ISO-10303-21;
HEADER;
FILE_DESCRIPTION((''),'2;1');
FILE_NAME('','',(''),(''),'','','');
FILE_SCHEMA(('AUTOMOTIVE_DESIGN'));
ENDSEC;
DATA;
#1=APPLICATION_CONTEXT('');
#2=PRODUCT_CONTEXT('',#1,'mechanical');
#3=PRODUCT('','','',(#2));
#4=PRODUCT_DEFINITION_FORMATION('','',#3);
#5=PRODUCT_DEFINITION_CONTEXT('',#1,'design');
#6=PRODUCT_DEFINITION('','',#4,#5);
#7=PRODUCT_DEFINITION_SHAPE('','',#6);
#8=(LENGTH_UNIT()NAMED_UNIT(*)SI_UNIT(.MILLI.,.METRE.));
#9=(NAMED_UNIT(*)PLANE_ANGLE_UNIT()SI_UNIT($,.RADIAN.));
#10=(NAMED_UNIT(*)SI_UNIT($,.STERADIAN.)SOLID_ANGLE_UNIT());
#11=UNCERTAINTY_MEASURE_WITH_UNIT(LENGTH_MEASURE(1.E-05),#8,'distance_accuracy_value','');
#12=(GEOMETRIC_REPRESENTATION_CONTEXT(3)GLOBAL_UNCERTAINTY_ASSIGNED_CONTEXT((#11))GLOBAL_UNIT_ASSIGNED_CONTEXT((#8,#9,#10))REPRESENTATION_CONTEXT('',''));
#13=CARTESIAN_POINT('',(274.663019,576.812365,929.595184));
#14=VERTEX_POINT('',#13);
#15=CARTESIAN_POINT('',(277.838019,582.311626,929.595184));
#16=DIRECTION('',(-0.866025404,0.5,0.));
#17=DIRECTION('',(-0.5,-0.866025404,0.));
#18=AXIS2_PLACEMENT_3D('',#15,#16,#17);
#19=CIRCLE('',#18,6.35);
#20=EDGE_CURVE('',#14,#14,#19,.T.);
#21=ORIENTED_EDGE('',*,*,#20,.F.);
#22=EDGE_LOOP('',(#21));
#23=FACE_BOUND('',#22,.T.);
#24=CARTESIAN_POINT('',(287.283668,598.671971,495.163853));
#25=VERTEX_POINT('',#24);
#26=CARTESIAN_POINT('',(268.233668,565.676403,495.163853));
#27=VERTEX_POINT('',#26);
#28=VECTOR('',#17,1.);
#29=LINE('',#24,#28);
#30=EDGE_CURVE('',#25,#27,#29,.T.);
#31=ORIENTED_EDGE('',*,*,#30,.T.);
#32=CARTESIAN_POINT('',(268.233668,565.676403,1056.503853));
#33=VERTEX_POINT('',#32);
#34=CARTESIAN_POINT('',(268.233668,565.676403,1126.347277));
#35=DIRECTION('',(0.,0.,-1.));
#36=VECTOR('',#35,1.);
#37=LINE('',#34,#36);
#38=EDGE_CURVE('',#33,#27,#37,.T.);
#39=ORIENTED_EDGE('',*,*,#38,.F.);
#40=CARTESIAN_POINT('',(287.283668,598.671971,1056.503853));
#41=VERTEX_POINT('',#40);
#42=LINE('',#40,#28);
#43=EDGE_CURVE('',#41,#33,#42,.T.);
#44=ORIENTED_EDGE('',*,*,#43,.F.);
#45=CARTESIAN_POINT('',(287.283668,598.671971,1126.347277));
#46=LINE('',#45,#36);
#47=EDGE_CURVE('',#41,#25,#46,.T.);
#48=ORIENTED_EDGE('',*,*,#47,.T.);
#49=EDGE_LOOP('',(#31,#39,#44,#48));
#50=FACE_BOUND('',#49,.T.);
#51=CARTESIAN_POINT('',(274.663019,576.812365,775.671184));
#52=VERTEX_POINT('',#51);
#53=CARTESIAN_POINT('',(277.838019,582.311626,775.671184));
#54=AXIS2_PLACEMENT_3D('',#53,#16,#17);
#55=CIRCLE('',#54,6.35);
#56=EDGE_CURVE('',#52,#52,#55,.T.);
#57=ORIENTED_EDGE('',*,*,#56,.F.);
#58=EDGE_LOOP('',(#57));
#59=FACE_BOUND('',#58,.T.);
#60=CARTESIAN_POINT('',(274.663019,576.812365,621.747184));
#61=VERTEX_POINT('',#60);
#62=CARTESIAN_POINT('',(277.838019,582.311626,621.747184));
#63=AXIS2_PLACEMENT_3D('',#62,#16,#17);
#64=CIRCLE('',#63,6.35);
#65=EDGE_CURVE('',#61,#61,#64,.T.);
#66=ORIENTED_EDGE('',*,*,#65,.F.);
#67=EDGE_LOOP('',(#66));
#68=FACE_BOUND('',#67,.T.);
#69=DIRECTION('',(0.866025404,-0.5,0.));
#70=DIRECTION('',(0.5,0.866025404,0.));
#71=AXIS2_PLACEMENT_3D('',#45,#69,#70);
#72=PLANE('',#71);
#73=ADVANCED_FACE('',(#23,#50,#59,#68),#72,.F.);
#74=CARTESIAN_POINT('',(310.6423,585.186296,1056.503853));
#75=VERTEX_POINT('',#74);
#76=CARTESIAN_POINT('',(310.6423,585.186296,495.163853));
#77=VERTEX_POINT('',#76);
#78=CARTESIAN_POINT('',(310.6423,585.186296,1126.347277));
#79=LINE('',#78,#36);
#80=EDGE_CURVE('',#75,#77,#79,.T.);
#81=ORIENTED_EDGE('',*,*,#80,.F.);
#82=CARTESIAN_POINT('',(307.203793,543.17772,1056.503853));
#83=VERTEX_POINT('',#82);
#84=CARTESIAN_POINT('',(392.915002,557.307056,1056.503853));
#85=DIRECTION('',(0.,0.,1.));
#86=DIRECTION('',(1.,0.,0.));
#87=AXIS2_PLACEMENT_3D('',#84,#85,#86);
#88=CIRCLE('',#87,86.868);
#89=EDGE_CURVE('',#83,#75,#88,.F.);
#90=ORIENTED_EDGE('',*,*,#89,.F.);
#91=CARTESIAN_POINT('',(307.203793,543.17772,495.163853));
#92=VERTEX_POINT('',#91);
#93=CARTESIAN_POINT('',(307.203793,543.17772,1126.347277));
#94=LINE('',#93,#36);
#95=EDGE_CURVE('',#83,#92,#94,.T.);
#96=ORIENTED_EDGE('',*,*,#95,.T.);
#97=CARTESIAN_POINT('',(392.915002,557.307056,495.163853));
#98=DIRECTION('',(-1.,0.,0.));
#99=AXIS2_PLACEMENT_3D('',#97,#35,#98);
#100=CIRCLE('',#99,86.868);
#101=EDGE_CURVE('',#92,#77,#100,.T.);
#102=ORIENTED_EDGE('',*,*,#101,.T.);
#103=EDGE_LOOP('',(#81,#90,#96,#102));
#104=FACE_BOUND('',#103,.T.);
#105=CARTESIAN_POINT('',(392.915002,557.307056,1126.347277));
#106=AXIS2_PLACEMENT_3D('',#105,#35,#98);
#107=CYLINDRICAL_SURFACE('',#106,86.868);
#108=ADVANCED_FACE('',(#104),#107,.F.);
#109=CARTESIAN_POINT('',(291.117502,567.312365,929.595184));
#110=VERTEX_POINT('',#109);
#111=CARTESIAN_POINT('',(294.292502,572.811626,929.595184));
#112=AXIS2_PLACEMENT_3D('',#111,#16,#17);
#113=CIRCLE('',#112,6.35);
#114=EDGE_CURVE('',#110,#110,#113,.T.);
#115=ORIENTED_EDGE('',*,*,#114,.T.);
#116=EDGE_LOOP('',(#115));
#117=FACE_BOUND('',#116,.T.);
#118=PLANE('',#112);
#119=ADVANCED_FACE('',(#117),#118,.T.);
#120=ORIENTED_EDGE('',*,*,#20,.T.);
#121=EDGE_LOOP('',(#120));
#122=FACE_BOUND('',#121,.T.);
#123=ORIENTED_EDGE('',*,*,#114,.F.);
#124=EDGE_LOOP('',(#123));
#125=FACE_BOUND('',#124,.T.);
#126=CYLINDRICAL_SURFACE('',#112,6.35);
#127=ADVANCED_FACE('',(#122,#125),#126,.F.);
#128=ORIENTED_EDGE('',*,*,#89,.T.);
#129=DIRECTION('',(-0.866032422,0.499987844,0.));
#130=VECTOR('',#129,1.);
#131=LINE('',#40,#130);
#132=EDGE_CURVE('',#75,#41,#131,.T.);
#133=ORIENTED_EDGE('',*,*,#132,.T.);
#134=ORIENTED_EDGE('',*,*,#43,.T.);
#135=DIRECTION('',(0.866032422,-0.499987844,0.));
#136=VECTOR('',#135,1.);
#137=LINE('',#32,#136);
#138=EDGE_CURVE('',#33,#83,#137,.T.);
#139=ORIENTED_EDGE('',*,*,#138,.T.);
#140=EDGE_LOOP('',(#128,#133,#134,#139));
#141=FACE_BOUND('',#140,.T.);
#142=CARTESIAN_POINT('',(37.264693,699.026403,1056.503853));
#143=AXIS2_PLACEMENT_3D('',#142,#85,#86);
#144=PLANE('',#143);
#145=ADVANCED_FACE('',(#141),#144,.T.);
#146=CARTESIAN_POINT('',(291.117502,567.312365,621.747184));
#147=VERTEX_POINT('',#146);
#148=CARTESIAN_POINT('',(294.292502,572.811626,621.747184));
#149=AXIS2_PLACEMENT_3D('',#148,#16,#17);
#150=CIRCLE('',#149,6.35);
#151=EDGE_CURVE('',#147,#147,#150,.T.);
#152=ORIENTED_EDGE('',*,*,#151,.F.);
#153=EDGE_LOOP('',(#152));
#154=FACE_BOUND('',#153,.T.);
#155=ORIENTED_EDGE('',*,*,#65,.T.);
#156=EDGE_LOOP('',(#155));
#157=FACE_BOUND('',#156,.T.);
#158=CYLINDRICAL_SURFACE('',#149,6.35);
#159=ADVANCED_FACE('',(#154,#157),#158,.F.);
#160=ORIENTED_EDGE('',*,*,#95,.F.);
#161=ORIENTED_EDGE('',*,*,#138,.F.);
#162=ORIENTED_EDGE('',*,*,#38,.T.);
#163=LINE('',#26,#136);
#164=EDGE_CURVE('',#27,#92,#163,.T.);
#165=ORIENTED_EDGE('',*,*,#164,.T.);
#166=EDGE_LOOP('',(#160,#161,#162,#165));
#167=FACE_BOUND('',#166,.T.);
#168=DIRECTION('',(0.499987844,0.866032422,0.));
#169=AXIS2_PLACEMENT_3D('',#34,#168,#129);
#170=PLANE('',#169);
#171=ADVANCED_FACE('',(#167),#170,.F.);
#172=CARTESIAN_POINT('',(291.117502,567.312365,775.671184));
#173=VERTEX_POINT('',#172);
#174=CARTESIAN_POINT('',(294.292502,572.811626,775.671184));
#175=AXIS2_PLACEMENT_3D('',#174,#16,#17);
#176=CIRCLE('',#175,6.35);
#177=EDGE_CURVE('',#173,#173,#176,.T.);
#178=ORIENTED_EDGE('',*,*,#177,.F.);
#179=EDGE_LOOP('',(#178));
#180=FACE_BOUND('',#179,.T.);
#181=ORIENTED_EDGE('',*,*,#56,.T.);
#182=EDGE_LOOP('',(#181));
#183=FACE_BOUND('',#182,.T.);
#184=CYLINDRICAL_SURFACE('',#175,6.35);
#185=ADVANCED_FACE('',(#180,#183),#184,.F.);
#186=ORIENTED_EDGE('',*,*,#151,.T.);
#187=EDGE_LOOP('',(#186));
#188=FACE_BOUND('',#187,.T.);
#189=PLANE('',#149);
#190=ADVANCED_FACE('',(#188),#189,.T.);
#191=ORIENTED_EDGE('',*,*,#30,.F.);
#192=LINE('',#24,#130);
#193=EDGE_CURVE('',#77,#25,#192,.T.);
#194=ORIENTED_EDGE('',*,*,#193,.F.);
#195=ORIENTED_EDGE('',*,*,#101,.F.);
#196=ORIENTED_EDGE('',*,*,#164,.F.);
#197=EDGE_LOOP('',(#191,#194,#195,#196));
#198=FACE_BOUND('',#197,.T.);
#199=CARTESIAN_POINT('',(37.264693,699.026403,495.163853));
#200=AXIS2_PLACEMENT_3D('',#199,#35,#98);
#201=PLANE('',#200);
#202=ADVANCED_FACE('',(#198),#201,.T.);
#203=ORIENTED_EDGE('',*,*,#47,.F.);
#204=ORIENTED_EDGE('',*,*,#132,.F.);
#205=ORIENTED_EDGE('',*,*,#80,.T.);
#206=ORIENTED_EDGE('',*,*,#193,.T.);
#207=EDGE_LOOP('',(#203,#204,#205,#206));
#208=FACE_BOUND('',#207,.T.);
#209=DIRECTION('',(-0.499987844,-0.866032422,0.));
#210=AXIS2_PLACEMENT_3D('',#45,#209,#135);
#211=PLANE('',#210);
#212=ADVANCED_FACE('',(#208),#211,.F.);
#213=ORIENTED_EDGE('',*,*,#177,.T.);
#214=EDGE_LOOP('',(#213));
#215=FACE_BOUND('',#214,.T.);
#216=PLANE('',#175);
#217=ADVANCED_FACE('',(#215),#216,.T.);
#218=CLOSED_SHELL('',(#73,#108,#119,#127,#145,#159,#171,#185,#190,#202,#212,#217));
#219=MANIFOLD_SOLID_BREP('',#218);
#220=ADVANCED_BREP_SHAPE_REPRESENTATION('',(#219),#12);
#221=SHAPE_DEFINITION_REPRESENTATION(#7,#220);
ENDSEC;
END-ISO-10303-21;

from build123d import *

# Parameters (mm, degrees)
BOSS_EXTRUDE1_DEPTH      = 25.4
BOSS_EXTRUDE1_DEPTH_BACK = 535.94
SKETCH2_R                = 6.35
CUT_EXTRUDE1_DEPTH       = 19


with BuildPart() as part:
    # Sketch1 → Boss-Extrude1 (new, two sides: drawn at the far end of the back side and taken through both)
    with BuildSketch(Plane.XY.offset(1031.10385267).offset(-BOSS_EXTRUDE1_DEPTH_BACK)):
        with BuildLine():
            Line((287.283668248, 598.671970668), (310.642299926, 585.186295534))
            ThreePointArc((310.642299926, 585.186295534), (306.336547982, 564.39371918), (307.203792995, 543.177720091))
            Line((307.203792995, 543.177720091), (268.233668248, 565.676402784))
            Line((268.233668248, 565.676402784), (287.283668248, 598.671970668))
        make_face()
    extrude(amount=BOSS_EXTRUDE1_DEPTH + BOSS_EXTRUDE1_DEPTH_BACK)

    # Sketch2 → Cut-Extrude1 (cut)
    with BuildSketch(Plane(origin=(-43.76981638, 25.270515269, 0), x_dir=(0, 0, 1), z_dir=(-0.8660254037844367, 0.5000000000000036, 0))):
        with Locations(Location((775.671183514, 643.215670872, 0), (0, 0, 270))):
            Circle(SKETCH2_R)
        with Locations(Location((929.595183514, 643.215670872, 0), (0, 0, 270))):
            Circle(SKETCH2_R)
        with Locations(Location((621.747183514, 643.215670872, 0), (0, 0, 270))):
            Circle(SKETCH2_R)
    extrude(amount=-CUT_EXTRUDE1_DEPTH, mode=Mode.SUBTRACT)


solid = part.part
